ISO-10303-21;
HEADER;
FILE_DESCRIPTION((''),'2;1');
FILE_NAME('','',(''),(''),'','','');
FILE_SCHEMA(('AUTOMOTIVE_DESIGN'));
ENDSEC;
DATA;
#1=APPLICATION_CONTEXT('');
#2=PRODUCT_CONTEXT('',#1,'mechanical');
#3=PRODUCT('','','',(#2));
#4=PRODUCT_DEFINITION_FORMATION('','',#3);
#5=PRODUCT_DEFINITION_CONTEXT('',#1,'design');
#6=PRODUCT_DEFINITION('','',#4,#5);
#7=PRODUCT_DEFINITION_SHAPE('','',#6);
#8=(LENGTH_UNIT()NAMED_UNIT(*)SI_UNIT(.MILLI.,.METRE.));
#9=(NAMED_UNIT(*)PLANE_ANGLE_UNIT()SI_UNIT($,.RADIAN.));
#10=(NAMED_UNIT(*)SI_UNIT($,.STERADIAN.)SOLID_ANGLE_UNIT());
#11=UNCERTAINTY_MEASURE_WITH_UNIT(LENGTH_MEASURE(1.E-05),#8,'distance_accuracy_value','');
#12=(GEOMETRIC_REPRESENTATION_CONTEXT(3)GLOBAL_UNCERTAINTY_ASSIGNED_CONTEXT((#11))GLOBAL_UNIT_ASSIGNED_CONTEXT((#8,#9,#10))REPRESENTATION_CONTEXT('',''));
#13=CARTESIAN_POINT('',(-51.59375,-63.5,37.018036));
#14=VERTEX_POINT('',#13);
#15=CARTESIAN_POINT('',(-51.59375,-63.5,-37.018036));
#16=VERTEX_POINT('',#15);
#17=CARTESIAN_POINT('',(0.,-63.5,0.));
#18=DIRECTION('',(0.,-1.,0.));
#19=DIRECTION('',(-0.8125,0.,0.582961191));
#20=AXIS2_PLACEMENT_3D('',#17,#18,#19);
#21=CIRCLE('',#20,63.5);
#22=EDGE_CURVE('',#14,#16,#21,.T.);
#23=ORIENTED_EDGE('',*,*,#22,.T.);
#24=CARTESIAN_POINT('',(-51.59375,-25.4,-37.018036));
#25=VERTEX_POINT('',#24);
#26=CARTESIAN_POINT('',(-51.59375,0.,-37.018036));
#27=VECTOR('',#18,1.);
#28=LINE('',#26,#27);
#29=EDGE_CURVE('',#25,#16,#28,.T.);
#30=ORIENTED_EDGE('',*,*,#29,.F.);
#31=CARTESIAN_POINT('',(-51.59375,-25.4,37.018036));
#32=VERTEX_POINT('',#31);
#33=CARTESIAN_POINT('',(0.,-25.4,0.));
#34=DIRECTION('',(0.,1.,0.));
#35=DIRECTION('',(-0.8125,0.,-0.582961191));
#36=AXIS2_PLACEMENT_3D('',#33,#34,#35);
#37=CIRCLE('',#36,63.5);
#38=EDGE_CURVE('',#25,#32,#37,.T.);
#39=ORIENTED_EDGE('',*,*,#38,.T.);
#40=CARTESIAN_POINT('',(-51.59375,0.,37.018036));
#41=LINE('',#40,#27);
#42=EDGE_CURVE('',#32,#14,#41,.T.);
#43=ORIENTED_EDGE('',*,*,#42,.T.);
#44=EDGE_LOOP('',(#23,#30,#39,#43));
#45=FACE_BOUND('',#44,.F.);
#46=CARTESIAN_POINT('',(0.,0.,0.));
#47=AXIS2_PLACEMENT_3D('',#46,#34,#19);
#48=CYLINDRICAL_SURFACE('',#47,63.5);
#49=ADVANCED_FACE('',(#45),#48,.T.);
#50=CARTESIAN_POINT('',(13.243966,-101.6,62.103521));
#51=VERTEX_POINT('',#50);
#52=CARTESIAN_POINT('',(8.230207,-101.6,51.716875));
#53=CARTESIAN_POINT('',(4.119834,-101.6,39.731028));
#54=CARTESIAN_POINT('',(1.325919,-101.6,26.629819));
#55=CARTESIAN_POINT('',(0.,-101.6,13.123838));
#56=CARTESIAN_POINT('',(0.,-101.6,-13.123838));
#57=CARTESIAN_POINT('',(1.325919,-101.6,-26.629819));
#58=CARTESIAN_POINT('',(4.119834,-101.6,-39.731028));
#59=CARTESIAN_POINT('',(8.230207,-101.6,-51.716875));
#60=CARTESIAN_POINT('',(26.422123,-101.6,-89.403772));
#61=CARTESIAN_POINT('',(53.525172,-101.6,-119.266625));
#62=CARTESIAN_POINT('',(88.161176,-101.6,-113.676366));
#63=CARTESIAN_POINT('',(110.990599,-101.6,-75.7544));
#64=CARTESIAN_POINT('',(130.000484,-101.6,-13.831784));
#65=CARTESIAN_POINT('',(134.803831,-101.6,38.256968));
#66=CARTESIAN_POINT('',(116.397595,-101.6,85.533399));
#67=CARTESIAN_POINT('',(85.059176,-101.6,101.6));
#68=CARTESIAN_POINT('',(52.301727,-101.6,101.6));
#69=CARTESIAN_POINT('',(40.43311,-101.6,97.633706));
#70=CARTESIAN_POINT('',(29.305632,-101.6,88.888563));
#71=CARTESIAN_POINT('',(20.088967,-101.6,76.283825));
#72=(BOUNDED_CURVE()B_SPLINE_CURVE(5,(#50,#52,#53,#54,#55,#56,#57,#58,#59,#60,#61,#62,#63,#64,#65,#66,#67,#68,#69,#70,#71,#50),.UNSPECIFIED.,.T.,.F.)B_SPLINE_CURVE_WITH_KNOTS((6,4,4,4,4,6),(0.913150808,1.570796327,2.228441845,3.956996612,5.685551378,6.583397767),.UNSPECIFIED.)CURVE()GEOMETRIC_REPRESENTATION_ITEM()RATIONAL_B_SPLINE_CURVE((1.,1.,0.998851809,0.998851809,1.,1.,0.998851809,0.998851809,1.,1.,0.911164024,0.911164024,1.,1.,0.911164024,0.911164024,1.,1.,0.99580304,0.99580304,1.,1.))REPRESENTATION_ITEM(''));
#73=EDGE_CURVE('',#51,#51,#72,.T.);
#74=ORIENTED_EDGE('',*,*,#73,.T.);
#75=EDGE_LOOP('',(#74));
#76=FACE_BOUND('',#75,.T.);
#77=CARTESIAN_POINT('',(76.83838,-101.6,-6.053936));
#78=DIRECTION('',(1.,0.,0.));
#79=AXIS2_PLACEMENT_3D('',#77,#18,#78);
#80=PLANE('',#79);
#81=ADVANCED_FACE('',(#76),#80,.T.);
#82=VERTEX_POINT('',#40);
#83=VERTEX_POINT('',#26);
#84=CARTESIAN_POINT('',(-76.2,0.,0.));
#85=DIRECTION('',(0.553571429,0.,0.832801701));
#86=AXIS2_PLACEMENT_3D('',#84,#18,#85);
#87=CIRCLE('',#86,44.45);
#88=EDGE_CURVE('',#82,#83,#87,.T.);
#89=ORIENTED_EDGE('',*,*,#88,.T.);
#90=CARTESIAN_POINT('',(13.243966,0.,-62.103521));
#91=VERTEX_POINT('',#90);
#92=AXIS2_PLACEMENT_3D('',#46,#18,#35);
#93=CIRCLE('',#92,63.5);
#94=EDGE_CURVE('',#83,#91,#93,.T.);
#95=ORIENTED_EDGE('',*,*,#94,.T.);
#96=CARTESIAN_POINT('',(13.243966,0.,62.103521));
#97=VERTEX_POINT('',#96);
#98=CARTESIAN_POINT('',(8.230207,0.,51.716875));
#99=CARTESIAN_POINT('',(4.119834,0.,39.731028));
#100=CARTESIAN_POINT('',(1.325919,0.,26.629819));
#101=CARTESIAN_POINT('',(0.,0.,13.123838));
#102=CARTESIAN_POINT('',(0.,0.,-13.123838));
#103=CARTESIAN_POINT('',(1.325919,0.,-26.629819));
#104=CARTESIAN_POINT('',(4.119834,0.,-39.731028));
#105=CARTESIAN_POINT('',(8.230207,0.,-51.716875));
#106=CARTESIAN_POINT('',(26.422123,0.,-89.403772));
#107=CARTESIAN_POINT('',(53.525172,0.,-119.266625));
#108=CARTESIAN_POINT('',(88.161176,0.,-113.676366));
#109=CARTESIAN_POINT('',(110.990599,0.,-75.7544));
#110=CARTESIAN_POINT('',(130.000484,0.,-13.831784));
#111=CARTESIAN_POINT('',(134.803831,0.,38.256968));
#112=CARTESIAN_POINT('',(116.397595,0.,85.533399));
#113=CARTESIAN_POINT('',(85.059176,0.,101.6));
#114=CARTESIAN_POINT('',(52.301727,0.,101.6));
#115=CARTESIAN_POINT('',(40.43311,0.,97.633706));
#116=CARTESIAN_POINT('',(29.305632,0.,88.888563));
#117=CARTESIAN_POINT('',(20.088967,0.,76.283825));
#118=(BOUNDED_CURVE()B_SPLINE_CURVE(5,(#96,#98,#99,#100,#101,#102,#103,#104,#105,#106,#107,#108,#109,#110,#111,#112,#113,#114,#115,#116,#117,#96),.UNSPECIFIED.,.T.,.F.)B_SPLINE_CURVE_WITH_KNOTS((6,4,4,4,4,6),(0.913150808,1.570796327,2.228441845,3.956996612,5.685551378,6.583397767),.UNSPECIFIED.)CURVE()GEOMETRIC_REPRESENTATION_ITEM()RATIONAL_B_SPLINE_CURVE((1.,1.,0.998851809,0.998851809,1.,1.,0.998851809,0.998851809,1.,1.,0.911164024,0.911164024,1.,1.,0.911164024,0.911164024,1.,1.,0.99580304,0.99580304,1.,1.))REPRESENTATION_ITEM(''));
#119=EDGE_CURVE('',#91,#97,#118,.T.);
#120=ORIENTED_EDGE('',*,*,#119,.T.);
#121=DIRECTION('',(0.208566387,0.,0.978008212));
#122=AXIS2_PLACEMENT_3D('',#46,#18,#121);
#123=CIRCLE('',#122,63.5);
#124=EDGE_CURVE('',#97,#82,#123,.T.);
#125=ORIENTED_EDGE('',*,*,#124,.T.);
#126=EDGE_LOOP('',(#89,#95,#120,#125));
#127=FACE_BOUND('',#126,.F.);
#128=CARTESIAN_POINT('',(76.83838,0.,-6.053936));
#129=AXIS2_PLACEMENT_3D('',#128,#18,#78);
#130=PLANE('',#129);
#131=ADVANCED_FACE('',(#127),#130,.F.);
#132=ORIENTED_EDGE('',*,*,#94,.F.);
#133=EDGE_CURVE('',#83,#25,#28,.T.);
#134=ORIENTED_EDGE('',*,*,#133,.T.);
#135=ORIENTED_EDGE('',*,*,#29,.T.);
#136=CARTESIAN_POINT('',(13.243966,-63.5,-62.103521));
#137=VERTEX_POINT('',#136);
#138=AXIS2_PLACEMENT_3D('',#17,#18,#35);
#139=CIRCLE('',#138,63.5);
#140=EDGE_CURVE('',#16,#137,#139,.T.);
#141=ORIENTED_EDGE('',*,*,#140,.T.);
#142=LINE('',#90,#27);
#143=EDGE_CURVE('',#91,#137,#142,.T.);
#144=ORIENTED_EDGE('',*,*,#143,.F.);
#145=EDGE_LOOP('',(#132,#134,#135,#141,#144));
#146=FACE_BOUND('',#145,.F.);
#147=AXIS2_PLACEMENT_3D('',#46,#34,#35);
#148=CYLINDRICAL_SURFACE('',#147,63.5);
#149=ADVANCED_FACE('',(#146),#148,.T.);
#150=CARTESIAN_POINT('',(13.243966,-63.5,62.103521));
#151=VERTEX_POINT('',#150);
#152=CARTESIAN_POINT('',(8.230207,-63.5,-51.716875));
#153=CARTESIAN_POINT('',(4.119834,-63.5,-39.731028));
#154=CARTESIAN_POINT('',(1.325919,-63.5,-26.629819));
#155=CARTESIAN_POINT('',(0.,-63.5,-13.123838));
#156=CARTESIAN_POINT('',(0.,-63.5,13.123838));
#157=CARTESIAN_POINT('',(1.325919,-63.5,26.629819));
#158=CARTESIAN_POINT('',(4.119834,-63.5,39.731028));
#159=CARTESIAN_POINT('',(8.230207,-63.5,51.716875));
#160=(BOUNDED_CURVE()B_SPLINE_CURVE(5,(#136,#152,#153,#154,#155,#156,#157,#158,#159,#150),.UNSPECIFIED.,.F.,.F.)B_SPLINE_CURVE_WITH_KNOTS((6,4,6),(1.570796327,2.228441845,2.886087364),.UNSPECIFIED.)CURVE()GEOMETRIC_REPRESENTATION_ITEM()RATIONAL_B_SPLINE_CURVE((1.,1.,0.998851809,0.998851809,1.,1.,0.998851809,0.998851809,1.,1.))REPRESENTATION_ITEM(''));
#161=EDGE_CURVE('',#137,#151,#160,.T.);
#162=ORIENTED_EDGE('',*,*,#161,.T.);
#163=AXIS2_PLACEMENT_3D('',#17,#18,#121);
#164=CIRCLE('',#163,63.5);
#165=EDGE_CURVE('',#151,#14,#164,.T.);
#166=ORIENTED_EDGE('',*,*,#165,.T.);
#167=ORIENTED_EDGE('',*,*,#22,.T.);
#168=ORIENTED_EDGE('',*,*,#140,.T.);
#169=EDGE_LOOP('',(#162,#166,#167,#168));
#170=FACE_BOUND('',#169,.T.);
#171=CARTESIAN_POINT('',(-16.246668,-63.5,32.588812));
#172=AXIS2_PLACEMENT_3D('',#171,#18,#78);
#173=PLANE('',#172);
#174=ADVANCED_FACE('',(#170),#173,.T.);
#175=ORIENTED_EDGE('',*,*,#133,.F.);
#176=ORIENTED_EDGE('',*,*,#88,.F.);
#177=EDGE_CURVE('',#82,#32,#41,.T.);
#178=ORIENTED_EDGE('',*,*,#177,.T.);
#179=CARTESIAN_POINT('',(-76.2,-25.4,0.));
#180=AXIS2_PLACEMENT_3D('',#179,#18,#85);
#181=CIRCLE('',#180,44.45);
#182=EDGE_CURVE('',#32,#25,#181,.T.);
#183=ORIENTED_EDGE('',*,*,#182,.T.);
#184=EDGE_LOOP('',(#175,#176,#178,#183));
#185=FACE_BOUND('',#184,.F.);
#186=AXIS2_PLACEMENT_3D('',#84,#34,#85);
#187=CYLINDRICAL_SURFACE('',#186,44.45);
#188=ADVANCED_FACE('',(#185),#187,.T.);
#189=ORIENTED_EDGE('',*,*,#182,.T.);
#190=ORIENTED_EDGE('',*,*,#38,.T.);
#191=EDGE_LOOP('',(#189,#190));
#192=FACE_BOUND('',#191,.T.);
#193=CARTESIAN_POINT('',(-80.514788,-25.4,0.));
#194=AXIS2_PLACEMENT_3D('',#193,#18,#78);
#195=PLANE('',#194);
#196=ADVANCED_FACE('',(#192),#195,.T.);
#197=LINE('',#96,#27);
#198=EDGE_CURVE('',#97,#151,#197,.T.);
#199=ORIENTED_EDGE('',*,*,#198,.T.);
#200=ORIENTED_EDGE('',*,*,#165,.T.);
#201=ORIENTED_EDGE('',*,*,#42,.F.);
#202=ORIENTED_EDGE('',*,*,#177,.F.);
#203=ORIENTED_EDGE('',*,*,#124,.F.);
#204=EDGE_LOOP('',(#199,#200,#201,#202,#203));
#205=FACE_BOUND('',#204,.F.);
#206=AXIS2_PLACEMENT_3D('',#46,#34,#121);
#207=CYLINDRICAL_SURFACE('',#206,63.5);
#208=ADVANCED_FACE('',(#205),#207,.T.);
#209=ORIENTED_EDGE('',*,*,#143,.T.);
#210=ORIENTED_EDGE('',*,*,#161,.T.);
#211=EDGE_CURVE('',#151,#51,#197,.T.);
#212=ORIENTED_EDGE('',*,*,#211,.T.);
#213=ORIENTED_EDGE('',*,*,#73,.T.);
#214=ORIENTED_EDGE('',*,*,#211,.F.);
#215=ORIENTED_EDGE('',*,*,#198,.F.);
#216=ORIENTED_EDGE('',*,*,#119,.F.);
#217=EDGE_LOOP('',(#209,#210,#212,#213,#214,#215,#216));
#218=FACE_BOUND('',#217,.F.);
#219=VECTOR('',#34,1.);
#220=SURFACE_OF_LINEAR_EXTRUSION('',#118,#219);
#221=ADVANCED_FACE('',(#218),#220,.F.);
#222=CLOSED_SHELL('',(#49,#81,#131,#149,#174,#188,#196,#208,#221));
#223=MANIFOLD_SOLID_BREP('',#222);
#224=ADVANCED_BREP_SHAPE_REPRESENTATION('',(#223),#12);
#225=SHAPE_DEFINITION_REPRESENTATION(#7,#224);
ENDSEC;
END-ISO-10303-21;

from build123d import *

# Parameters (mm, degrees)
F1_DEPTH = 25.4
F2_DEPTH = 63.5
F3_DEPTH = 101.6


with BuildPart() as f1:
    # F0 (on Front) → F1 (new body)
    with BuildSketch(Plane.XZ):
        with BuildLine():
            ThreePointArc((-51.59375, -37.0180356169), (-60.4501990278, -19.4428248333), (-63.5, 0))
            ThreePointArc((-63.5, 0), (-60.4501990278, 19.4428248333), (-51.59375, 37.0180356169))
            ThreePointArc((-51.59375, 37.0180356169), (-120.65, 0), (-51.59375, -37.0180356169))
        make_face()
    extrude(amount=F1_DEPTH)

    # F0 (on Front) → F2 (join)
    with BuildSketch(Plane.XZ):
        with BuildLine():
            Line((-31.75, 0), (0, 0))
            add(Edge.make_bspline(
                [(13.2439655959, 62.1035214404), (0, 34.6669399309), (0, 0)],
                knots=[0.9131508081, 0.9131508081, 0.9131508081, 1.5707963268, 1.5707963268, 1.5707963268], degree=2, weights=[1, 0.9464231645, 1]))
            ThreePointArc((13.2439655959, 62.1035214404), (-22.9128106244, 59.2220660674), (-51.59375, 37.0180356169))
            ThreePointArc((-51.59375, 37.0180356169), (-37.0237934934, 21.0006510316), (-31.75, 0))
        make_face()
        with BuildLine():
            Line((-63.5, 0), (-31.75, 0))
            ThreePointArc((-31.75, 0), (-37.0237934934, 21.0006510316), (-51.59375, 37.0180356169))
            ThreePointArc((-51.59375, 37.0180356169), (-60.4501990278, 19.4428248333), (-63.5, 0))
        make_face()
        with BuildLine():
            ThreePointArc((-51.59375, -37.0180356169), (-37.0237934934, -21.0006510316), (-31.75, 0))
            Line((-31.75, 0), (-63.5, 0))
            ThreePointArc((-63.5, 0), (-60.4501990278, -19.4428248333), (-51.59375, -37.0180356169))
        make_face()
        with BuildLine():
            add(Edge.make_bspline(
                [(0, 0), (0, -34.6669399309), (13.2439655959, -62.1035214404)],
                knots=[1.5707963268, 1.5707963268, 1.5707963268, 2.2284418454, 2.2284418454, 2.2284418454], degree=2, weights=[1, 0.9464231645, 1]))
            Line((0, 0), (-31.75, 0))
            ThreePointArc((-31.75, 0), (-37.0237934934, -21.0006510316), (-51.59375, -37.0180356169))
            ThreePointArc((-51.59375, -37.0180356169), (-22.9128106244, -59.2220660674), (13.2439655959, -62.1035214404))
        make_face()
    extrude(amount=F2_DEPTH)

    # F0 (on Front) → F3 (join)
    with BuildSketch(Plane.XZ):
        with BuildLine():
            ThreePointArc((63.5, 0), (49.3621404284, -39.9453262889), (13.2439655959, -62.1035214404))
            add(Edge.make_bspline(
                [(13.2439655959, -62.1035214404), (75.5537087854, -191.1861844445), (120.4955415237, -44.7930922222), (165.437374262, 101.6), (63.5, 101.6)],
                knots=[2.2284418454, 2.2284418454, 2.2284418454, 4.2558135763, 4.2558135763, 6.2831853072, 6.2831853072, 6.2831853072], degree=2, weights=[1, 0.5287358074, 1, 0.5287358074, 1]))
            Line((63.5, 101.6), (63.5, 0))
        make_face()
        with BuildLine():
            add(Edge.make_bspline(
                [(13.2439655959, 62.1035214404), (0, 34.6669399309), (0, 0)],
                knots=[0.9131508081, 0.9131508081, 0.9131508081, 1.5707963268, 1.5707963268, 1.5707963268], degree=2, weights=[1, 0.9464231645, 1]))
            add(Edge.make_bspline(
                [(0, 0), (0, -34.6669399309), (13.2439655959, -62.1035214404)],
                knots=[1.5707963268, 1.5707963268, 1.5707963268, 2.2284418454, 2.2284418454, 2.2284418454], degree=2, weights=[1, 0.9464231645, 1]))
            ThreePointArc((13.2439655959, -62.1035214404), (49.3621404284, -39.9453262889), (63.5, 0))
            ThreePointArc((63.5, 0), (49.3621404284, 39.9453262889), (13.2439655959, 62.1035214404))
        make_face()
        with BuildLine():
            add(Edge.make_bspline(
                [(63.5, 101.6), (32.3093875408, 101.6), (13.2439655959, 62.1035214404)],
                knots=[0, 0, 0, 0.9131508081, 0.9131508081, 0.9131508081], degree=2, weights=[1, 0.8975675831, 1]))
            ThreePointArc((13.2439655959, 62.1035214404), (49.3621404284, 39.9453262889), (63.5, 0))
            Line((63.5, 0), (63.5, 101.6))
        make_face()
    extrude(amount=F3_DEPTH)


solid = f1.part
